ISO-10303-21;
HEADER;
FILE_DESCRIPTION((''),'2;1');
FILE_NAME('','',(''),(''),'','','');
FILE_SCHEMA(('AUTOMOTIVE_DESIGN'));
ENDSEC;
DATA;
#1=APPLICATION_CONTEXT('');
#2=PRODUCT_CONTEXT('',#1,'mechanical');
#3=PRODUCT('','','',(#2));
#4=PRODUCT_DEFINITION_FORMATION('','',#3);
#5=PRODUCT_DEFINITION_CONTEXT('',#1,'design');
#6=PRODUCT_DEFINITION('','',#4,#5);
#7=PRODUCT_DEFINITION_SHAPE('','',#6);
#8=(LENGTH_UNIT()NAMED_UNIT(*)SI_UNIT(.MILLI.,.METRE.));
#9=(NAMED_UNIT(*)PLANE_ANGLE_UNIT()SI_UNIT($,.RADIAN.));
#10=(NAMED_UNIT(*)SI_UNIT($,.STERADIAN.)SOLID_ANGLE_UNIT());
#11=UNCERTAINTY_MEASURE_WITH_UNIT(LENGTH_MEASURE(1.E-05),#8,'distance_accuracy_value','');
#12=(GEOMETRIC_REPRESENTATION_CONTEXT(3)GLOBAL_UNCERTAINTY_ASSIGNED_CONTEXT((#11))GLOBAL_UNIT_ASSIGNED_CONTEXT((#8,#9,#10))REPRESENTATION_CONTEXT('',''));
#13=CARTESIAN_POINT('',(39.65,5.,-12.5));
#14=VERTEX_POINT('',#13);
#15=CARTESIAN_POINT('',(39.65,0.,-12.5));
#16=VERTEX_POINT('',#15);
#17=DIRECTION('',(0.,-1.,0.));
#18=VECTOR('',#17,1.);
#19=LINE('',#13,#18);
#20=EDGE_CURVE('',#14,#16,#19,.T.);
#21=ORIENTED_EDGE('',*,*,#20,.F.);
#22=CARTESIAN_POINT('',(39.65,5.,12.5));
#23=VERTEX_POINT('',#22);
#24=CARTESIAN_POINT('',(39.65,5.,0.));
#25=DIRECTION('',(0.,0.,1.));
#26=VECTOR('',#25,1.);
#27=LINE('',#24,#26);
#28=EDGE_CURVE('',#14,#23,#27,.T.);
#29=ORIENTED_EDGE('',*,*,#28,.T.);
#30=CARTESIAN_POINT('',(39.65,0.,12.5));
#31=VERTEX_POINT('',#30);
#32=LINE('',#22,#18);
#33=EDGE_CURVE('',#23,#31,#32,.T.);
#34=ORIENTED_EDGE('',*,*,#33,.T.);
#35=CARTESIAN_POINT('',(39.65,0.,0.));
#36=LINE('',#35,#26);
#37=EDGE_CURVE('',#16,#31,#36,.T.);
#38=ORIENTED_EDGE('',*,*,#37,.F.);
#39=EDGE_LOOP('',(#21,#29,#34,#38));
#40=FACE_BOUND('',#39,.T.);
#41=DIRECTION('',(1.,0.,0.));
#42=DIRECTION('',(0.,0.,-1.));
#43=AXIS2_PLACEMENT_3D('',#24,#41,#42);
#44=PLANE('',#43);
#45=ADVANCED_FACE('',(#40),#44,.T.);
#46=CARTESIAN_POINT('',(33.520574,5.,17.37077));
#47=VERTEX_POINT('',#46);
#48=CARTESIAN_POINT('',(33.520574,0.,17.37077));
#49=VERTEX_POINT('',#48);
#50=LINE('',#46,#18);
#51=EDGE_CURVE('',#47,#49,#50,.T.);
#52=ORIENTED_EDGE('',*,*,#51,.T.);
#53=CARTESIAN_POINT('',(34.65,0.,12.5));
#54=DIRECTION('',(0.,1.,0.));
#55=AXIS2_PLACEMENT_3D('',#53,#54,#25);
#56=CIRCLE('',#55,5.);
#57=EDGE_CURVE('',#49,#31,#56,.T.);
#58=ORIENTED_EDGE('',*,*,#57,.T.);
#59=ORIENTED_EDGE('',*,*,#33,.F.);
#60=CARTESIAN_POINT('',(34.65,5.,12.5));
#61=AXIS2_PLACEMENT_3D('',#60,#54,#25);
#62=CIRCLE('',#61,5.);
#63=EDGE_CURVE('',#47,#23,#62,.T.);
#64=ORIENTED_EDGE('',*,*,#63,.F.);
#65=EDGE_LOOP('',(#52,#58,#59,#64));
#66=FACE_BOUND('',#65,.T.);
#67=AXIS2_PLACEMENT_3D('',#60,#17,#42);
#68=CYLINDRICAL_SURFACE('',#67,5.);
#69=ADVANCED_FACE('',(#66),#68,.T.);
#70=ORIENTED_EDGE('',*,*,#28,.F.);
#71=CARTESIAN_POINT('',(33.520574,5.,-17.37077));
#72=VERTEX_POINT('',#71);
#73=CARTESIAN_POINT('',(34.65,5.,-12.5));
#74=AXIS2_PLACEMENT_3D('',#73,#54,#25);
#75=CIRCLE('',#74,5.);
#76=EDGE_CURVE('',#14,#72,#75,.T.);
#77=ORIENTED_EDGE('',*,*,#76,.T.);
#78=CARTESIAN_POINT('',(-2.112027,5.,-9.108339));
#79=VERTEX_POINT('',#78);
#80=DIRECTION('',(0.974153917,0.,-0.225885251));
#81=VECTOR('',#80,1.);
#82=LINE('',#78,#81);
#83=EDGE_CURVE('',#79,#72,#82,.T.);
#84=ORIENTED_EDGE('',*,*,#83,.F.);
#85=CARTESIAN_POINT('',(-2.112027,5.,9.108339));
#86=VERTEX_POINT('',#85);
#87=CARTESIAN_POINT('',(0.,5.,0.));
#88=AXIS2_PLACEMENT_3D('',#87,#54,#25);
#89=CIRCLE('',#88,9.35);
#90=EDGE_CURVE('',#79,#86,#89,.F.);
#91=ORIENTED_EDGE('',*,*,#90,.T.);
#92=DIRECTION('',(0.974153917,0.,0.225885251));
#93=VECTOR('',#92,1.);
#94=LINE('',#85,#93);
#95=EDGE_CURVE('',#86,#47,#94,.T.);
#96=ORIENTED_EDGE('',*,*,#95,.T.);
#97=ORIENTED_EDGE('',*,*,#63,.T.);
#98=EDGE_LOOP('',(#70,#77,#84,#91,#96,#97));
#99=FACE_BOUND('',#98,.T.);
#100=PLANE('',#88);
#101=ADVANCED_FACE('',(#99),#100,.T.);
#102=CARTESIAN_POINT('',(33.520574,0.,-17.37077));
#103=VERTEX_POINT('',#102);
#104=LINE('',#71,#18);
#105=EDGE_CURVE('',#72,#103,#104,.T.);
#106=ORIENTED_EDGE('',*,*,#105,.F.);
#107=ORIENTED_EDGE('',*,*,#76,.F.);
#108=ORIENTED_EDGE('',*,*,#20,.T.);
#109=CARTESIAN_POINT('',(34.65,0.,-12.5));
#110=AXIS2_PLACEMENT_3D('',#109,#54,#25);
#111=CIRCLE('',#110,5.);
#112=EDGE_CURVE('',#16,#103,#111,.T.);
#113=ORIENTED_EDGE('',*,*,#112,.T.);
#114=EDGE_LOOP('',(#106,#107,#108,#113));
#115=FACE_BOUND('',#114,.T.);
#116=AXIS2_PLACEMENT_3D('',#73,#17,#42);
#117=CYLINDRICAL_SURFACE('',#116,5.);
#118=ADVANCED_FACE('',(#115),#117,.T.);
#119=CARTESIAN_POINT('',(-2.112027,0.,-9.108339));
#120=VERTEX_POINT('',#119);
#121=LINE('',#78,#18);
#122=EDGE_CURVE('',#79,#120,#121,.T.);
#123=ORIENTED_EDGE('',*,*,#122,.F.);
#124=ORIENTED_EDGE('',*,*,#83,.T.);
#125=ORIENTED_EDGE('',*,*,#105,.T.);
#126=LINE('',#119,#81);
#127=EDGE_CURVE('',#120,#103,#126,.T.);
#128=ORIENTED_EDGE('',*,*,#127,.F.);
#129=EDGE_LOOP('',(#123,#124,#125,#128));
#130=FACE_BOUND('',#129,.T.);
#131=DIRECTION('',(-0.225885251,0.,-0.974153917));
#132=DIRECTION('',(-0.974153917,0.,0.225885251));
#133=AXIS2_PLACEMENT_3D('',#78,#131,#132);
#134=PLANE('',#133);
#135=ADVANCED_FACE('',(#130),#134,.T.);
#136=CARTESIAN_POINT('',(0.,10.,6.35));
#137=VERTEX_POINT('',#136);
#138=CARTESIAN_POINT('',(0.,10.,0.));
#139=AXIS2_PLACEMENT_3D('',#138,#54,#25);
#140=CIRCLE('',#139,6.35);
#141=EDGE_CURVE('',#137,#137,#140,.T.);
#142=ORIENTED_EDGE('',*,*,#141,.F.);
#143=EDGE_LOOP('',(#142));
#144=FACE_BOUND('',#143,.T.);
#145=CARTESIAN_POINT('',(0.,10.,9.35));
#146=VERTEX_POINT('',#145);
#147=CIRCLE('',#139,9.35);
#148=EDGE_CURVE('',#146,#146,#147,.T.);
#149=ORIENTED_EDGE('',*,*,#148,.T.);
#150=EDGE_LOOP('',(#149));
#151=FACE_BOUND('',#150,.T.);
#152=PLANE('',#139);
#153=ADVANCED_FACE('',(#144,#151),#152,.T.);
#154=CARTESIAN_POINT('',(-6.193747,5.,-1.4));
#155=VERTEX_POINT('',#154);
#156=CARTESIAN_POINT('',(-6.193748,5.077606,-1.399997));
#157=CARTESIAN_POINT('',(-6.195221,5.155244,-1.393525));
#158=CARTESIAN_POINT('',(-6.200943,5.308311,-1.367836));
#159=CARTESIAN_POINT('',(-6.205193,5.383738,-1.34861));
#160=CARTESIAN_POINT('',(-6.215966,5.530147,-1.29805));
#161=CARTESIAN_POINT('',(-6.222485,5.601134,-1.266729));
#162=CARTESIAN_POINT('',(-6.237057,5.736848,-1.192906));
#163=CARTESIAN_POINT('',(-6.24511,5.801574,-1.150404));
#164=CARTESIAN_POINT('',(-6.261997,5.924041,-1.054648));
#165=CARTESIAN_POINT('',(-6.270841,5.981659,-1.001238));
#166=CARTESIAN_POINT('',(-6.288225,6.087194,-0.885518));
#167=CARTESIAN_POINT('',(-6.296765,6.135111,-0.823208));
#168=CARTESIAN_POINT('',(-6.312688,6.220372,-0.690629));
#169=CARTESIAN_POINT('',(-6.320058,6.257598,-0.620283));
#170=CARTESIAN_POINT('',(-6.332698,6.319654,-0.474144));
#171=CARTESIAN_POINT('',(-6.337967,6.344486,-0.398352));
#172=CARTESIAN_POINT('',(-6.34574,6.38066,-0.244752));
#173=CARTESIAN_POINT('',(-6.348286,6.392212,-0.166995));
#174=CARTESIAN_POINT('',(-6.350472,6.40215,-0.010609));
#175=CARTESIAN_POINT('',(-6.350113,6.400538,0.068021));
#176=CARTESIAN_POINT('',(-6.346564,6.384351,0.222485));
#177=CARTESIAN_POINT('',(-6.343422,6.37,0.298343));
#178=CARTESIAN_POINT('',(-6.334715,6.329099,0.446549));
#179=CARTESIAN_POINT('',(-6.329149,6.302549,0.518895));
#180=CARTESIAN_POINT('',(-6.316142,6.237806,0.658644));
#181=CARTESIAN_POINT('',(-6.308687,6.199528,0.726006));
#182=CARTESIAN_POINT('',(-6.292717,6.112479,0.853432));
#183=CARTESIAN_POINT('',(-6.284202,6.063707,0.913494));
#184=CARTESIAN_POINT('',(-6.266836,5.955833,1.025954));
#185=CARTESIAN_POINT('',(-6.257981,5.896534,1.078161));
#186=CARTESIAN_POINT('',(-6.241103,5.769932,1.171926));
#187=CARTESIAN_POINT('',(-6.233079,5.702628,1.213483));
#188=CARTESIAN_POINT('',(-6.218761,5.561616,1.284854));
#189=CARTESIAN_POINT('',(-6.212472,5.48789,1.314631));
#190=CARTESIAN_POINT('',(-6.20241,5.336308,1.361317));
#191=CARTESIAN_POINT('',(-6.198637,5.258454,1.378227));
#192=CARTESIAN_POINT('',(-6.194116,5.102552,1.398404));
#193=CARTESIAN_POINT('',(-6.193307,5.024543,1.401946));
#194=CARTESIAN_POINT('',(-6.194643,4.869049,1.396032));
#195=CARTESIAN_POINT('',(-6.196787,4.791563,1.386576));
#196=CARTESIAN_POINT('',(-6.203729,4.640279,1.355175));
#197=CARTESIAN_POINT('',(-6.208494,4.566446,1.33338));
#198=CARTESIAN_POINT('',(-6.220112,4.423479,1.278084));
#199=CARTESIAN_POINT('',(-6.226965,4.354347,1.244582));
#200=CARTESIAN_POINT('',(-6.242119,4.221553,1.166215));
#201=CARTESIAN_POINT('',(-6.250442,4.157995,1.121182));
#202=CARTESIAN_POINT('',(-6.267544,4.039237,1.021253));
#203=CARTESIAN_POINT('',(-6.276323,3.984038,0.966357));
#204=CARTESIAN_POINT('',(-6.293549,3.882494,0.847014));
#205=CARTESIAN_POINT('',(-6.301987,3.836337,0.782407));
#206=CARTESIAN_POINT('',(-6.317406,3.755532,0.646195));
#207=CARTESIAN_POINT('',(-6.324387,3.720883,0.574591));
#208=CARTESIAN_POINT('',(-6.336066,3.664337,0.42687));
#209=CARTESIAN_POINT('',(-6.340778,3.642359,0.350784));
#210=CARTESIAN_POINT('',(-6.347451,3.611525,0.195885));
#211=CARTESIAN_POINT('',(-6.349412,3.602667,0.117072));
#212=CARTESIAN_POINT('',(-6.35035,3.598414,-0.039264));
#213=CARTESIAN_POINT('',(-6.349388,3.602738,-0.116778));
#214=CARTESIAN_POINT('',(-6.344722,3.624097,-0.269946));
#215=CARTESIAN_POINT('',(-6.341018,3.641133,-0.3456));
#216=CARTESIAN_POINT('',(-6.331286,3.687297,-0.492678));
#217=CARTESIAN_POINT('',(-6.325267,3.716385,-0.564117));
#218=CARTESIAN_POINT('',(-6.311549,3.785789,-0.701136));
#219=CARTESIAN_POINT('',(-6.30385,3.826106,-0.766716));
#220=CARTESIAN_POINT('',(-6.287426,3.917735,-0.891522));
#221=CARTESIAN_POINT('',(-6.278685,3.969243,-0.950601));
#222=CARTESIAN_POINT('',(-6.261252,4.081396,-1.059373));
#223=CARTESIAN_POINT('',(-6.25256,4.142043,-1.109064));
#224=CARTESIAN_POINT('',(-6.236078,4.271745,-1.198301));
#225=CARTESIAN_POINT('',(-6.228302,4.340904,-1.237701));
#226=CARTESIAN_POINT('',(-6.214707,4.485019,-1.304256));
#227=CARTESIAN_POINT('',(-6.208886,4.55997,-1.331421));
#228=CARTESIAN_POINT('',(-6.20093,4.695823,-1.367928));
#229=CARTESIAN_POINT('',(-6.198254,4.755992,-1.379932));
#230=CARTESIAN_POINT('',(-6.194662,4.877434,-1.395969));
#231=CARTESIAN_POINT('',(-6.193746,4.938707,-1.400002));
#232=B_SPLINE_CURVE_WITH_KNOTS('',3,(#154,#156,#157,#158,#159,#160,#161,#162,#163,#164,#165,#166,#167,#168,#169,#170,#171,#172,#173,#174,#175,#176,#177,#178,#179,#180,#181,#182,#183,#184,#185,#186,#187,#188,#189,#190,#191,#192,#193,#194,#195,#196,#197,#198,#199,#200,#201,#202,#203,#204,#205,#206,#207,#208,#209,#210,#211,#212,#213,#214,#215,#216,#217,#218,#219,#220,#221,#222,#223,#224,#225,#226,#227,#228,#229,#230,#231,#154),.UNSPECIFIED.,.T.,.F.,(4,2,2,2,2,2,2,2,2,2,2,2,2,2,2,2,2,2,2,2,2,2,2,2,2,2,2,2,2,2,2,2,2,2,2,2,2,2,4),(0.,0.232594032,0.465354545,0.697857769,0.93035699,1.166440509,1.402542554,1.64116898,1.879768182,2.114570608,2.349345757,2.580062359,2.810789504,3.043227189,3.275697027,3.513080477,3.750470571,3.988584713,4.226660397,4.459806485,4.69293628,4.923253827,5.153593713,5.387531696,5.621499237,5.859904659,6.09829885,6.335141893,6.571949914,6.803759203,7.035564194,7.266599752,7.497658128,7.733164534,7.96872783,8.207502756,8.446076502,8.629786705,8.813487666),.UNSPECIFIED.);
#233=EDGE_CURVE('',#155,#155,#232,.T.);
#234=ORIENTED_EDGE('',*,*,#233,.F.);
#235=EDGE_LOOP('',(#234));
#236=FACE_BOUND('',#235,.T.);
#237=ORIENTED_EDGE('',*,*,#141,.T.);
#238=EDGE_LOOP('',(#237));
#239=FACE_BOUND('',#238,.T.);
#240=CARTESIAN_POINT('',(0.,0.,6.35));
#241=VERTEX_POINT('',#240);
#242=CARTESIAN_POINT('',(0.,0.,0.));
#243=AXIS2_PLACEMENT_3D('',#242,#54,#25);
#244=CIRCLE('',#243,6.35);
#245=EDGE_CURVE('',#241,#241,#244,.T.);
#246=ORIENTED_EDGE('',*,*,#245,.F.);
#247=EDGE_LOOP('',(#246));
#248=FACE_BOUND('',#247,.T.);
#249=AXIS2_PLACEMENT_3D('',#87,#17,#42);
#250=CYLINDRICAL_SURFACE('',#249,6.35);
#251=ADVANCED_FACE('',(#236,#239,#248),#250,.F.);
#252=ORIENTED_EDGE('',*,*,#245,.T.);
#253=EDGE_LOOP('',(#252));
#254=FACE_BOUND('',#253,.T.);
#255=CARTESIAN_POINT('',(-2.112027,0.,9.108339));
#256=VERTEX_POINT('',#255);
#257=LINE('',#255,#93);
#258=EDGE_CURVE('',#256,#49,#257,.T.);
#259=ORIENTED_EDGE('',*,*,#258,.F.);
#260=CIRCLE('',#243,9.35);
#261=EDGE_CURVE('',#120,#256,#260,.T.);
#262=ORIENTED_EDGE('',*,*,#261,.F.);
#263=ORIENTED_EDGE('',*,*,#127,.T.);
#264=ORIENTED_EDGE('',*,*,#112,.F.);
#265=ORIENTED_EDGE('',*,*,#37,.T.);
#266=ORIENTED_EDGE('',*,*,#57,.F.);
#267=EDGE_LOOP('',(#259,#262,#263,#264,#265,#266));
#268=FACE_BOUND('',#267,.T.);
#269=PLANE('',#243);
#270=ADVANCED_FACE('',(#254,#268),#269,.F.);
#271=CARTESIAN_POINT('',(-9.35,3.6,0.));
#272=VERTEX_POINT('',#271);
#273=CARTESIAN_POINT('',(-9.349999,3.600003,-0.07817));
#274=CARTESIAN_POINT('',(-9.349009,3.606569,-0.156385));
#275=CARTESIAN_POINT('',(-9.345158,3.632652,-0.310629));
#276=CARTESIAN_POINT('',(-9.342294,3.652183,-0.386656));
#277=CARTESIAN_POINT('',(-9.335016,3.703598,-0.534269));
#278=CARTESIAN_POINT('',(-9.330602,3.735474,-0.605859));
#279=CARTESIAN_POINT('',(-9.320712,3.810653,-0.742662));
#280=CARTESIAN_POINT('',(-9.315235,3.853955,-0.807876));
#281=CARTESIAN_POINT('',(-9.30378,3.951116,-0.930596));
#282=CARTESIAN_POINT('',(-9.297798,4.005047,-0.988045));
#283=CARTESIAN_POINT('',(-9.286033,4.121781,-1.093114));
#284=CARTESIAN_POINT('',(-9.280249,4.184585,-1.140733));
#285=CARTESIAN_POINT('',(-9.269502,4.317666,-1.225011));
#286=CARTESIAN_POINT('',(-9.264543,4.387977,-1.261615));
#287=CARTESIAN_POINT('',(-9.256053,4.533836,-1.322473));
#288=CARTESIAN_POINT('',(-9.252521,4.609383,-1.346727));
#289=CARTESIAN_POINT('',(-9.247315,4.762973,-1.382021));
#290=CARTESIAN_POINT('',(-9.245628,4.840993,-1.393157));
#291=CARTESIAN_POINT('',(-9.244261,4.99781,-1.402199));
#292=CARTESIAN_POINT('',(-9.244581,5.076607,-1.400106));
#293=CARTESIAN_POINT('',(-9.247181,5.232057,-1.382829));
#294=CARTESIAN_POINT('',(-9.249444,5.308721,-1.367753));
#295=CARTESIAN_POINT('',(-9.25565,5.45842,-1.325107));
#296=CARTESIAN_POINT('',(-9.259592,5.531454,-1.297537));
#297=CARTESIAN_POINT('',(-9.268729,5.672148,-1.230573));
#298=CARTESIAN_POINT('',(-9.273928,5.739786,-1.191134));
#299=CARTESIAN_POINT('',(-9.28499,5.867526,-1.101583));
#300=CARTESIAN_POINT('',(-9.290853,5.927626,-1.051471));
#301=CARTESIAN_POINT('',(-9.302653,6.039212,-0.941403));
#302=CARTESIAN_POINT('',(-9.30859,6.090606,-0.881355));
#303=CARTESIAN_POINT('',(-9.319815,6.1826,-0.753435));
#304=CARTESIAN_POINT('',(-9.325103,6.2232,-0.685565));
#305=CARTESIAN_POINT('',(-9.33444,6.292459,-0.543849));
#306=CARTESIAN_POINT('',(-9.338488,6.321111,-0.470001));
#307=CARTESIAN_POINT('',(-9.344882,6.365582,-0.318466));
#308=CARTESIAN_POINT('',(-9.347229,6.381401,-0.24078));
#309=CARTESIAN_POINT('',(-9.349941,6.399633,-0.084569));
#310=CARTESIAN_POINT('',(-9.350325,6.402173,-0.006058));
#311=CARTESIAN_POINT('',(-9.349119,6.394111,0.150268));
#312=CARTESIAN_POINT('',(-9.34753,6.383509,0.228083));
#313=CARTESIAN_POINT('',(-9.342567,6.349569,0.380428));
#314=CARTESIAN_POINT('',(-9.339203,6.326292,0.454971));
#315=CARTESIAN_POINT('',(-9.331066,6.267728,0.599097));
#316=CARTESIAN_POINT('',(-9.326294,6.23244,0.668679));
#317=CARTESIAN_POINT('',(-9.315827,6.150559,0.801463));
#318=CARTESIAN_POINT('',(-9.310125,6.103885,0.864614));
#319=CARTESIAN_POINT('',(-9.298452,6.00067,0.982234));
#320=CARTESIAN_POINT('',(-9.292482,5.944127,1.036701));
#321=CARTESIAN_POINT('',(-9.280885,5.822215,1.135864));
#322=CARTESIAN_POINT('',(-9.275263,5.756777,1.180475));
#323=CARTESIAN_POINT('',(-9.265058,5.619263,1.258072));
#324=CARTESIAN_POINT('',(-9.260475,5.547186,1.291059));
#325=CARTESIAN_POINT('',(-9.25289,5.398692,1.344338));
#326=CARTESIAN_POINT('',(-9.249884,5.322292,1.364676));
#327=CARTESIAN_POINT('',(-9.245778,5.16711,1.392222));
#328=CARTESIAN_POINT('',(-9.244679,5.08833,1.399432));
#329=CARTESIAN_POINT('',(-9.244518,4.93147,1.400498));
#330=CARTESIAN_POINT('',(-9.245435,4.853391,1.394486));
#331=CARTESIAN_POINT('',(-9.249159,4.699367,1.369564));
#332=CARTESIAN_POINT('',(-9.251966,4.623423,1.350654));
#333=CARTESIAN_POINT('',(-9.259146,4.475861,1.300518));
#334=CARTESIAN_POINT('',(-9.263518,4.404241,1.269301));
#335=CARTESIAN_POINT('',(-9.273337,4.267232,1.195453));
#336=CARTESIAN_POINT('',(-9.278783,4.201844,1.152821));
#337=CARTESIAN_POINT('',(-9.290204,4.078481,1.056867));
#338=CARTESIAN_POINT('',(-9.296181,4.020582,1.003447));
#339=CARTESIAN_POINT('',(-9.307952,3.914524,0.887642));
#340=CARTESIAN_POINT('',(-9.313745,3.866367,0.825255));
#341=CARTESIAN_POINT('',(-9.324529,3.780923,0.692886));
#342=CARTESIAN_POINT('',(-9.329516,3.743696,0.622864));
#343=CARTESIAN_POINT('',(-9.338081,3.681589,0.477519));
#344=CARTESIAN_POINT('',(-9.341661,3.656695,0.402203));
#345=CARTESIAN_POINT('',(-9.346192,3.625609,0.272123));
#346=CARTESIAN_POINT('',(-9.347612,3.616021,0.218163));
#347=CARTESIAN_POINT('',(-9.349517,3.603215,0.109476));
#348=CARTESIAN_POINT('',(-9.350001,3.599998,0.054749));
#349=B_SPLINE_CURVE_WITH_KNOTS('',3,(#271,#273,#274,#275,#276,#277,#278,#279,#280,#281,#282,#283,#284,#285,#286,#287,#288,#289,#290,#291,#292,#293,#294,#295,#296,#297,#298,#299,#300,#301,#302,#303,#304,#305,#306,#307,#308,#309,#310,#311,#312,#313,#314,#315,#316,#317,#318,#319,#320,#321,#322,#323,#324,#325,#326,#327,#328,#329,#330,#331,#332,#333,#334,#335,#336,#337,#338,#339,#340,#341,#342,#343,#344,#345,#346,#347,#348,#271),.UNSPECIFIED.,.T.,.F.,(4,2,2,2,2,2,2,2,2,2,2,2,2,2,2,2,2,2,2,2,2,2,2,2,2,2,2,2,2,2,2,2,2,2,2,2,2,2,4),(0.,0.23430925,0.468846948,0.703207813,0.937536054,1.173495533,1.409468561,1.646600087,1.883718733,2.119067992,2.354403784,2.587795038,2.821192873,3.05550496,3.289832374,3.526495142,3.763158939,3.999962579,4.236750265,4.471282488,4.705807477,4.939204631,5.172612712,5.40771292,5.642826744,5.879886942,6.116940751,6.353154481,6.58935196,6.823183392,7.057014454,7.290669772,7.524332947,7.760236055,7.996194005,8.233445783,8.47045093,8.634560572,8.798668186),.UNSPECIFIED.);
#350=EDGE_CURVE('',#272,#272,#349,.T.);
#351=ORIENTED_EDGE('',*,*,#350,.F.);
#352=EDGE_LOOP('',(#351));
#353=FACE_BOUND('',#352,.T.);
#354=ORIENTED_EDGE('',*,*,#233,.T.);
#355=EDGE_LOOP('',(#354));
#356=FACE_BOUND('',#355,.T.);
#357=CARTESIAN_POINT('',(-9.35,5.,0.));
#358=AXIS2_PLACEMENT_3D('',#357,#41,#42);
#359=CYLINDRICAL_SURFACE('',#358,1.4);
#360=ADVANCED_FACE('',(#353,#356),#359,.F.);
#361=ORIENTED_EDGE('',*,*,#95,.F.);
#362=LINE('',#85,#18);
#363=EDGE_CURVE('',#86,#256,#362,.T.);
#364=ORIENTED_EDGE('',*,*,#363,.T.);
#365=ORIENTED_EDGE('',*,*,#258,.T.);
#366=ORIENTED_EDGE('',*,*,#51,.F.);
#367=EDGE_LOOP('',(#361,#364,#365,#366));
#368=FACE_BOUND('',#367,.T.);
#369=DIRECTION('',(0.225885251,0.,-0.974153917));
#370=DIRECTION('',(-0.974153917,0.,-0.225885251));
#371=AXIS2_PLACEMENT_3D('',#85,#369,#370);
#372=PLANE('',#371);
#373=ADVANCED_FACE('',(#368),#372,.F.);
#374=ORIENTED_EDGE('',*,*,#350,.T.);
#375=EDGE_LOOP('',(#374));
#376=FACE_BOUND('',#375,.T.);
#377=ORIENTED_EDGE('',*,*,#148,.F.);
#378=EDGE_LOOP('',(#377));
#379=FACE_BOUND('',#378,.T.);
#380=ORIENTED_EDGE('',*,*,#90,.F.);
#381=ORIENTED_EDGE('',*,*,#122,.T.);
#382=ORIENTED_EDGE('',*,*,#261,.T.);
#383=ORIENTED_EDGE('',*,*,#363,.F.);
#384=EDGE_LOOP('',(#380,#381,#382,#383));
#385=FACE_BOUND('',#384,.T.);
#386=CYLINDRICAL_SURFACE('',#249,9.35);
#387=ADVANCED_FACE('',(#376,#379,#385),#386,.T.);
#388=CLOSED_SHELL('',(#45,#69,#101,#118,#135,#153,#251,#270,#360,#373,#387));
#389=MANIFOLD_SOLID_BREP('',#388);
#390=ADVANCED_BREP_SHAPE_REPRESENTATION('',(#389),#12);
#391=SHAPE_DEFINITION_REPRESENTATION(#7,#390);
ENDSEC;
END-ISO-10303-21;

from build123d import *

# Parameters (mm, degrees)
SKETCH1_R           = 6.35
BOSS_EXTRUDE1_DEPTH = 5
SKETCH1_3_R         = 6.35
BOSS_EXTRUDE2_DEPTH = 10
SKETCH2_R           = 1.4
CUT_EXTRUDE1_DEPTH  = 45.478899492


with BuildPart() as part:
    # Sketch1 → Boss-Extrude1 (new body)
    with BuildSketch(Plane(origin=(0, 0, 0), x_dir=(1, 0, 0), z_dir=(0, 1, 0))):
        with BuildLine():
            Line((33.520573743, 17.370769583), (-2.1120271, 9.10833912))
            ThreePointArc((-2.1120271, 9.10833912), (-9.35, 0), (-2.1120271, -9.10833912))
            Line((-2.1120271, -9.10833912), (33.520573743, -17.370769583))
            ThreePointArc((33.520573743, -17.370769583), (37.760696764, -16.414532621), (39.65, -12.5))
            Line((39.65, -12.5), (39.65, 12.5))
            ThreePointArc((39.65, 12.5), (37.760696764, 16.414532621), (33.520573743, 17.370769583))
        make_face()
        Circle(SKETCH1_R, mode=Mode.SUBTRACT)
    extrude(amount=BOSS_EXTRUDE1_DEPTH)

    # Sketch1<3> → Boss-Extrude2 (add)
    with BuildSketch(Plane(origin=(0, 0, 0), x_dir=(1, 0, 0), z_dir=(0, 1, 0))):
        with BuildLine():
            ThreePointArc((9.35, 0), (5.817002949, 7.320176001), (-2.1120271, 9.10833912))
            ThreePointArc((-2.1120271, 9.10833912), (-9.35, 0), (-2.1120271, -9.10833912))
            ThreePointArc((-2.1120271, -9.10833912), (5.817002949, -7.320176001), (9.35, 0))
        make_face()
        Circle(SKETCH1_3_R, mode=Mode.SUBTRACT)
    extrude(amount=BOSS_EXTRUDE2_DEPTH)

    # Sketch2 → Cut-Extrude1 (cut, through all)
    with BuildSketch(Plane(origin=(0, 0, 0), x_dir=(0, 0, -1), z_dir=(1, 0, 0))):
        with Locations((0, 5)):
            Circle(SKETCH2_R)
    extrude(amount=-CUT_EXTRUDE1_DEPTH, mode=Mode.SUBTRACT)


solid = part.part
